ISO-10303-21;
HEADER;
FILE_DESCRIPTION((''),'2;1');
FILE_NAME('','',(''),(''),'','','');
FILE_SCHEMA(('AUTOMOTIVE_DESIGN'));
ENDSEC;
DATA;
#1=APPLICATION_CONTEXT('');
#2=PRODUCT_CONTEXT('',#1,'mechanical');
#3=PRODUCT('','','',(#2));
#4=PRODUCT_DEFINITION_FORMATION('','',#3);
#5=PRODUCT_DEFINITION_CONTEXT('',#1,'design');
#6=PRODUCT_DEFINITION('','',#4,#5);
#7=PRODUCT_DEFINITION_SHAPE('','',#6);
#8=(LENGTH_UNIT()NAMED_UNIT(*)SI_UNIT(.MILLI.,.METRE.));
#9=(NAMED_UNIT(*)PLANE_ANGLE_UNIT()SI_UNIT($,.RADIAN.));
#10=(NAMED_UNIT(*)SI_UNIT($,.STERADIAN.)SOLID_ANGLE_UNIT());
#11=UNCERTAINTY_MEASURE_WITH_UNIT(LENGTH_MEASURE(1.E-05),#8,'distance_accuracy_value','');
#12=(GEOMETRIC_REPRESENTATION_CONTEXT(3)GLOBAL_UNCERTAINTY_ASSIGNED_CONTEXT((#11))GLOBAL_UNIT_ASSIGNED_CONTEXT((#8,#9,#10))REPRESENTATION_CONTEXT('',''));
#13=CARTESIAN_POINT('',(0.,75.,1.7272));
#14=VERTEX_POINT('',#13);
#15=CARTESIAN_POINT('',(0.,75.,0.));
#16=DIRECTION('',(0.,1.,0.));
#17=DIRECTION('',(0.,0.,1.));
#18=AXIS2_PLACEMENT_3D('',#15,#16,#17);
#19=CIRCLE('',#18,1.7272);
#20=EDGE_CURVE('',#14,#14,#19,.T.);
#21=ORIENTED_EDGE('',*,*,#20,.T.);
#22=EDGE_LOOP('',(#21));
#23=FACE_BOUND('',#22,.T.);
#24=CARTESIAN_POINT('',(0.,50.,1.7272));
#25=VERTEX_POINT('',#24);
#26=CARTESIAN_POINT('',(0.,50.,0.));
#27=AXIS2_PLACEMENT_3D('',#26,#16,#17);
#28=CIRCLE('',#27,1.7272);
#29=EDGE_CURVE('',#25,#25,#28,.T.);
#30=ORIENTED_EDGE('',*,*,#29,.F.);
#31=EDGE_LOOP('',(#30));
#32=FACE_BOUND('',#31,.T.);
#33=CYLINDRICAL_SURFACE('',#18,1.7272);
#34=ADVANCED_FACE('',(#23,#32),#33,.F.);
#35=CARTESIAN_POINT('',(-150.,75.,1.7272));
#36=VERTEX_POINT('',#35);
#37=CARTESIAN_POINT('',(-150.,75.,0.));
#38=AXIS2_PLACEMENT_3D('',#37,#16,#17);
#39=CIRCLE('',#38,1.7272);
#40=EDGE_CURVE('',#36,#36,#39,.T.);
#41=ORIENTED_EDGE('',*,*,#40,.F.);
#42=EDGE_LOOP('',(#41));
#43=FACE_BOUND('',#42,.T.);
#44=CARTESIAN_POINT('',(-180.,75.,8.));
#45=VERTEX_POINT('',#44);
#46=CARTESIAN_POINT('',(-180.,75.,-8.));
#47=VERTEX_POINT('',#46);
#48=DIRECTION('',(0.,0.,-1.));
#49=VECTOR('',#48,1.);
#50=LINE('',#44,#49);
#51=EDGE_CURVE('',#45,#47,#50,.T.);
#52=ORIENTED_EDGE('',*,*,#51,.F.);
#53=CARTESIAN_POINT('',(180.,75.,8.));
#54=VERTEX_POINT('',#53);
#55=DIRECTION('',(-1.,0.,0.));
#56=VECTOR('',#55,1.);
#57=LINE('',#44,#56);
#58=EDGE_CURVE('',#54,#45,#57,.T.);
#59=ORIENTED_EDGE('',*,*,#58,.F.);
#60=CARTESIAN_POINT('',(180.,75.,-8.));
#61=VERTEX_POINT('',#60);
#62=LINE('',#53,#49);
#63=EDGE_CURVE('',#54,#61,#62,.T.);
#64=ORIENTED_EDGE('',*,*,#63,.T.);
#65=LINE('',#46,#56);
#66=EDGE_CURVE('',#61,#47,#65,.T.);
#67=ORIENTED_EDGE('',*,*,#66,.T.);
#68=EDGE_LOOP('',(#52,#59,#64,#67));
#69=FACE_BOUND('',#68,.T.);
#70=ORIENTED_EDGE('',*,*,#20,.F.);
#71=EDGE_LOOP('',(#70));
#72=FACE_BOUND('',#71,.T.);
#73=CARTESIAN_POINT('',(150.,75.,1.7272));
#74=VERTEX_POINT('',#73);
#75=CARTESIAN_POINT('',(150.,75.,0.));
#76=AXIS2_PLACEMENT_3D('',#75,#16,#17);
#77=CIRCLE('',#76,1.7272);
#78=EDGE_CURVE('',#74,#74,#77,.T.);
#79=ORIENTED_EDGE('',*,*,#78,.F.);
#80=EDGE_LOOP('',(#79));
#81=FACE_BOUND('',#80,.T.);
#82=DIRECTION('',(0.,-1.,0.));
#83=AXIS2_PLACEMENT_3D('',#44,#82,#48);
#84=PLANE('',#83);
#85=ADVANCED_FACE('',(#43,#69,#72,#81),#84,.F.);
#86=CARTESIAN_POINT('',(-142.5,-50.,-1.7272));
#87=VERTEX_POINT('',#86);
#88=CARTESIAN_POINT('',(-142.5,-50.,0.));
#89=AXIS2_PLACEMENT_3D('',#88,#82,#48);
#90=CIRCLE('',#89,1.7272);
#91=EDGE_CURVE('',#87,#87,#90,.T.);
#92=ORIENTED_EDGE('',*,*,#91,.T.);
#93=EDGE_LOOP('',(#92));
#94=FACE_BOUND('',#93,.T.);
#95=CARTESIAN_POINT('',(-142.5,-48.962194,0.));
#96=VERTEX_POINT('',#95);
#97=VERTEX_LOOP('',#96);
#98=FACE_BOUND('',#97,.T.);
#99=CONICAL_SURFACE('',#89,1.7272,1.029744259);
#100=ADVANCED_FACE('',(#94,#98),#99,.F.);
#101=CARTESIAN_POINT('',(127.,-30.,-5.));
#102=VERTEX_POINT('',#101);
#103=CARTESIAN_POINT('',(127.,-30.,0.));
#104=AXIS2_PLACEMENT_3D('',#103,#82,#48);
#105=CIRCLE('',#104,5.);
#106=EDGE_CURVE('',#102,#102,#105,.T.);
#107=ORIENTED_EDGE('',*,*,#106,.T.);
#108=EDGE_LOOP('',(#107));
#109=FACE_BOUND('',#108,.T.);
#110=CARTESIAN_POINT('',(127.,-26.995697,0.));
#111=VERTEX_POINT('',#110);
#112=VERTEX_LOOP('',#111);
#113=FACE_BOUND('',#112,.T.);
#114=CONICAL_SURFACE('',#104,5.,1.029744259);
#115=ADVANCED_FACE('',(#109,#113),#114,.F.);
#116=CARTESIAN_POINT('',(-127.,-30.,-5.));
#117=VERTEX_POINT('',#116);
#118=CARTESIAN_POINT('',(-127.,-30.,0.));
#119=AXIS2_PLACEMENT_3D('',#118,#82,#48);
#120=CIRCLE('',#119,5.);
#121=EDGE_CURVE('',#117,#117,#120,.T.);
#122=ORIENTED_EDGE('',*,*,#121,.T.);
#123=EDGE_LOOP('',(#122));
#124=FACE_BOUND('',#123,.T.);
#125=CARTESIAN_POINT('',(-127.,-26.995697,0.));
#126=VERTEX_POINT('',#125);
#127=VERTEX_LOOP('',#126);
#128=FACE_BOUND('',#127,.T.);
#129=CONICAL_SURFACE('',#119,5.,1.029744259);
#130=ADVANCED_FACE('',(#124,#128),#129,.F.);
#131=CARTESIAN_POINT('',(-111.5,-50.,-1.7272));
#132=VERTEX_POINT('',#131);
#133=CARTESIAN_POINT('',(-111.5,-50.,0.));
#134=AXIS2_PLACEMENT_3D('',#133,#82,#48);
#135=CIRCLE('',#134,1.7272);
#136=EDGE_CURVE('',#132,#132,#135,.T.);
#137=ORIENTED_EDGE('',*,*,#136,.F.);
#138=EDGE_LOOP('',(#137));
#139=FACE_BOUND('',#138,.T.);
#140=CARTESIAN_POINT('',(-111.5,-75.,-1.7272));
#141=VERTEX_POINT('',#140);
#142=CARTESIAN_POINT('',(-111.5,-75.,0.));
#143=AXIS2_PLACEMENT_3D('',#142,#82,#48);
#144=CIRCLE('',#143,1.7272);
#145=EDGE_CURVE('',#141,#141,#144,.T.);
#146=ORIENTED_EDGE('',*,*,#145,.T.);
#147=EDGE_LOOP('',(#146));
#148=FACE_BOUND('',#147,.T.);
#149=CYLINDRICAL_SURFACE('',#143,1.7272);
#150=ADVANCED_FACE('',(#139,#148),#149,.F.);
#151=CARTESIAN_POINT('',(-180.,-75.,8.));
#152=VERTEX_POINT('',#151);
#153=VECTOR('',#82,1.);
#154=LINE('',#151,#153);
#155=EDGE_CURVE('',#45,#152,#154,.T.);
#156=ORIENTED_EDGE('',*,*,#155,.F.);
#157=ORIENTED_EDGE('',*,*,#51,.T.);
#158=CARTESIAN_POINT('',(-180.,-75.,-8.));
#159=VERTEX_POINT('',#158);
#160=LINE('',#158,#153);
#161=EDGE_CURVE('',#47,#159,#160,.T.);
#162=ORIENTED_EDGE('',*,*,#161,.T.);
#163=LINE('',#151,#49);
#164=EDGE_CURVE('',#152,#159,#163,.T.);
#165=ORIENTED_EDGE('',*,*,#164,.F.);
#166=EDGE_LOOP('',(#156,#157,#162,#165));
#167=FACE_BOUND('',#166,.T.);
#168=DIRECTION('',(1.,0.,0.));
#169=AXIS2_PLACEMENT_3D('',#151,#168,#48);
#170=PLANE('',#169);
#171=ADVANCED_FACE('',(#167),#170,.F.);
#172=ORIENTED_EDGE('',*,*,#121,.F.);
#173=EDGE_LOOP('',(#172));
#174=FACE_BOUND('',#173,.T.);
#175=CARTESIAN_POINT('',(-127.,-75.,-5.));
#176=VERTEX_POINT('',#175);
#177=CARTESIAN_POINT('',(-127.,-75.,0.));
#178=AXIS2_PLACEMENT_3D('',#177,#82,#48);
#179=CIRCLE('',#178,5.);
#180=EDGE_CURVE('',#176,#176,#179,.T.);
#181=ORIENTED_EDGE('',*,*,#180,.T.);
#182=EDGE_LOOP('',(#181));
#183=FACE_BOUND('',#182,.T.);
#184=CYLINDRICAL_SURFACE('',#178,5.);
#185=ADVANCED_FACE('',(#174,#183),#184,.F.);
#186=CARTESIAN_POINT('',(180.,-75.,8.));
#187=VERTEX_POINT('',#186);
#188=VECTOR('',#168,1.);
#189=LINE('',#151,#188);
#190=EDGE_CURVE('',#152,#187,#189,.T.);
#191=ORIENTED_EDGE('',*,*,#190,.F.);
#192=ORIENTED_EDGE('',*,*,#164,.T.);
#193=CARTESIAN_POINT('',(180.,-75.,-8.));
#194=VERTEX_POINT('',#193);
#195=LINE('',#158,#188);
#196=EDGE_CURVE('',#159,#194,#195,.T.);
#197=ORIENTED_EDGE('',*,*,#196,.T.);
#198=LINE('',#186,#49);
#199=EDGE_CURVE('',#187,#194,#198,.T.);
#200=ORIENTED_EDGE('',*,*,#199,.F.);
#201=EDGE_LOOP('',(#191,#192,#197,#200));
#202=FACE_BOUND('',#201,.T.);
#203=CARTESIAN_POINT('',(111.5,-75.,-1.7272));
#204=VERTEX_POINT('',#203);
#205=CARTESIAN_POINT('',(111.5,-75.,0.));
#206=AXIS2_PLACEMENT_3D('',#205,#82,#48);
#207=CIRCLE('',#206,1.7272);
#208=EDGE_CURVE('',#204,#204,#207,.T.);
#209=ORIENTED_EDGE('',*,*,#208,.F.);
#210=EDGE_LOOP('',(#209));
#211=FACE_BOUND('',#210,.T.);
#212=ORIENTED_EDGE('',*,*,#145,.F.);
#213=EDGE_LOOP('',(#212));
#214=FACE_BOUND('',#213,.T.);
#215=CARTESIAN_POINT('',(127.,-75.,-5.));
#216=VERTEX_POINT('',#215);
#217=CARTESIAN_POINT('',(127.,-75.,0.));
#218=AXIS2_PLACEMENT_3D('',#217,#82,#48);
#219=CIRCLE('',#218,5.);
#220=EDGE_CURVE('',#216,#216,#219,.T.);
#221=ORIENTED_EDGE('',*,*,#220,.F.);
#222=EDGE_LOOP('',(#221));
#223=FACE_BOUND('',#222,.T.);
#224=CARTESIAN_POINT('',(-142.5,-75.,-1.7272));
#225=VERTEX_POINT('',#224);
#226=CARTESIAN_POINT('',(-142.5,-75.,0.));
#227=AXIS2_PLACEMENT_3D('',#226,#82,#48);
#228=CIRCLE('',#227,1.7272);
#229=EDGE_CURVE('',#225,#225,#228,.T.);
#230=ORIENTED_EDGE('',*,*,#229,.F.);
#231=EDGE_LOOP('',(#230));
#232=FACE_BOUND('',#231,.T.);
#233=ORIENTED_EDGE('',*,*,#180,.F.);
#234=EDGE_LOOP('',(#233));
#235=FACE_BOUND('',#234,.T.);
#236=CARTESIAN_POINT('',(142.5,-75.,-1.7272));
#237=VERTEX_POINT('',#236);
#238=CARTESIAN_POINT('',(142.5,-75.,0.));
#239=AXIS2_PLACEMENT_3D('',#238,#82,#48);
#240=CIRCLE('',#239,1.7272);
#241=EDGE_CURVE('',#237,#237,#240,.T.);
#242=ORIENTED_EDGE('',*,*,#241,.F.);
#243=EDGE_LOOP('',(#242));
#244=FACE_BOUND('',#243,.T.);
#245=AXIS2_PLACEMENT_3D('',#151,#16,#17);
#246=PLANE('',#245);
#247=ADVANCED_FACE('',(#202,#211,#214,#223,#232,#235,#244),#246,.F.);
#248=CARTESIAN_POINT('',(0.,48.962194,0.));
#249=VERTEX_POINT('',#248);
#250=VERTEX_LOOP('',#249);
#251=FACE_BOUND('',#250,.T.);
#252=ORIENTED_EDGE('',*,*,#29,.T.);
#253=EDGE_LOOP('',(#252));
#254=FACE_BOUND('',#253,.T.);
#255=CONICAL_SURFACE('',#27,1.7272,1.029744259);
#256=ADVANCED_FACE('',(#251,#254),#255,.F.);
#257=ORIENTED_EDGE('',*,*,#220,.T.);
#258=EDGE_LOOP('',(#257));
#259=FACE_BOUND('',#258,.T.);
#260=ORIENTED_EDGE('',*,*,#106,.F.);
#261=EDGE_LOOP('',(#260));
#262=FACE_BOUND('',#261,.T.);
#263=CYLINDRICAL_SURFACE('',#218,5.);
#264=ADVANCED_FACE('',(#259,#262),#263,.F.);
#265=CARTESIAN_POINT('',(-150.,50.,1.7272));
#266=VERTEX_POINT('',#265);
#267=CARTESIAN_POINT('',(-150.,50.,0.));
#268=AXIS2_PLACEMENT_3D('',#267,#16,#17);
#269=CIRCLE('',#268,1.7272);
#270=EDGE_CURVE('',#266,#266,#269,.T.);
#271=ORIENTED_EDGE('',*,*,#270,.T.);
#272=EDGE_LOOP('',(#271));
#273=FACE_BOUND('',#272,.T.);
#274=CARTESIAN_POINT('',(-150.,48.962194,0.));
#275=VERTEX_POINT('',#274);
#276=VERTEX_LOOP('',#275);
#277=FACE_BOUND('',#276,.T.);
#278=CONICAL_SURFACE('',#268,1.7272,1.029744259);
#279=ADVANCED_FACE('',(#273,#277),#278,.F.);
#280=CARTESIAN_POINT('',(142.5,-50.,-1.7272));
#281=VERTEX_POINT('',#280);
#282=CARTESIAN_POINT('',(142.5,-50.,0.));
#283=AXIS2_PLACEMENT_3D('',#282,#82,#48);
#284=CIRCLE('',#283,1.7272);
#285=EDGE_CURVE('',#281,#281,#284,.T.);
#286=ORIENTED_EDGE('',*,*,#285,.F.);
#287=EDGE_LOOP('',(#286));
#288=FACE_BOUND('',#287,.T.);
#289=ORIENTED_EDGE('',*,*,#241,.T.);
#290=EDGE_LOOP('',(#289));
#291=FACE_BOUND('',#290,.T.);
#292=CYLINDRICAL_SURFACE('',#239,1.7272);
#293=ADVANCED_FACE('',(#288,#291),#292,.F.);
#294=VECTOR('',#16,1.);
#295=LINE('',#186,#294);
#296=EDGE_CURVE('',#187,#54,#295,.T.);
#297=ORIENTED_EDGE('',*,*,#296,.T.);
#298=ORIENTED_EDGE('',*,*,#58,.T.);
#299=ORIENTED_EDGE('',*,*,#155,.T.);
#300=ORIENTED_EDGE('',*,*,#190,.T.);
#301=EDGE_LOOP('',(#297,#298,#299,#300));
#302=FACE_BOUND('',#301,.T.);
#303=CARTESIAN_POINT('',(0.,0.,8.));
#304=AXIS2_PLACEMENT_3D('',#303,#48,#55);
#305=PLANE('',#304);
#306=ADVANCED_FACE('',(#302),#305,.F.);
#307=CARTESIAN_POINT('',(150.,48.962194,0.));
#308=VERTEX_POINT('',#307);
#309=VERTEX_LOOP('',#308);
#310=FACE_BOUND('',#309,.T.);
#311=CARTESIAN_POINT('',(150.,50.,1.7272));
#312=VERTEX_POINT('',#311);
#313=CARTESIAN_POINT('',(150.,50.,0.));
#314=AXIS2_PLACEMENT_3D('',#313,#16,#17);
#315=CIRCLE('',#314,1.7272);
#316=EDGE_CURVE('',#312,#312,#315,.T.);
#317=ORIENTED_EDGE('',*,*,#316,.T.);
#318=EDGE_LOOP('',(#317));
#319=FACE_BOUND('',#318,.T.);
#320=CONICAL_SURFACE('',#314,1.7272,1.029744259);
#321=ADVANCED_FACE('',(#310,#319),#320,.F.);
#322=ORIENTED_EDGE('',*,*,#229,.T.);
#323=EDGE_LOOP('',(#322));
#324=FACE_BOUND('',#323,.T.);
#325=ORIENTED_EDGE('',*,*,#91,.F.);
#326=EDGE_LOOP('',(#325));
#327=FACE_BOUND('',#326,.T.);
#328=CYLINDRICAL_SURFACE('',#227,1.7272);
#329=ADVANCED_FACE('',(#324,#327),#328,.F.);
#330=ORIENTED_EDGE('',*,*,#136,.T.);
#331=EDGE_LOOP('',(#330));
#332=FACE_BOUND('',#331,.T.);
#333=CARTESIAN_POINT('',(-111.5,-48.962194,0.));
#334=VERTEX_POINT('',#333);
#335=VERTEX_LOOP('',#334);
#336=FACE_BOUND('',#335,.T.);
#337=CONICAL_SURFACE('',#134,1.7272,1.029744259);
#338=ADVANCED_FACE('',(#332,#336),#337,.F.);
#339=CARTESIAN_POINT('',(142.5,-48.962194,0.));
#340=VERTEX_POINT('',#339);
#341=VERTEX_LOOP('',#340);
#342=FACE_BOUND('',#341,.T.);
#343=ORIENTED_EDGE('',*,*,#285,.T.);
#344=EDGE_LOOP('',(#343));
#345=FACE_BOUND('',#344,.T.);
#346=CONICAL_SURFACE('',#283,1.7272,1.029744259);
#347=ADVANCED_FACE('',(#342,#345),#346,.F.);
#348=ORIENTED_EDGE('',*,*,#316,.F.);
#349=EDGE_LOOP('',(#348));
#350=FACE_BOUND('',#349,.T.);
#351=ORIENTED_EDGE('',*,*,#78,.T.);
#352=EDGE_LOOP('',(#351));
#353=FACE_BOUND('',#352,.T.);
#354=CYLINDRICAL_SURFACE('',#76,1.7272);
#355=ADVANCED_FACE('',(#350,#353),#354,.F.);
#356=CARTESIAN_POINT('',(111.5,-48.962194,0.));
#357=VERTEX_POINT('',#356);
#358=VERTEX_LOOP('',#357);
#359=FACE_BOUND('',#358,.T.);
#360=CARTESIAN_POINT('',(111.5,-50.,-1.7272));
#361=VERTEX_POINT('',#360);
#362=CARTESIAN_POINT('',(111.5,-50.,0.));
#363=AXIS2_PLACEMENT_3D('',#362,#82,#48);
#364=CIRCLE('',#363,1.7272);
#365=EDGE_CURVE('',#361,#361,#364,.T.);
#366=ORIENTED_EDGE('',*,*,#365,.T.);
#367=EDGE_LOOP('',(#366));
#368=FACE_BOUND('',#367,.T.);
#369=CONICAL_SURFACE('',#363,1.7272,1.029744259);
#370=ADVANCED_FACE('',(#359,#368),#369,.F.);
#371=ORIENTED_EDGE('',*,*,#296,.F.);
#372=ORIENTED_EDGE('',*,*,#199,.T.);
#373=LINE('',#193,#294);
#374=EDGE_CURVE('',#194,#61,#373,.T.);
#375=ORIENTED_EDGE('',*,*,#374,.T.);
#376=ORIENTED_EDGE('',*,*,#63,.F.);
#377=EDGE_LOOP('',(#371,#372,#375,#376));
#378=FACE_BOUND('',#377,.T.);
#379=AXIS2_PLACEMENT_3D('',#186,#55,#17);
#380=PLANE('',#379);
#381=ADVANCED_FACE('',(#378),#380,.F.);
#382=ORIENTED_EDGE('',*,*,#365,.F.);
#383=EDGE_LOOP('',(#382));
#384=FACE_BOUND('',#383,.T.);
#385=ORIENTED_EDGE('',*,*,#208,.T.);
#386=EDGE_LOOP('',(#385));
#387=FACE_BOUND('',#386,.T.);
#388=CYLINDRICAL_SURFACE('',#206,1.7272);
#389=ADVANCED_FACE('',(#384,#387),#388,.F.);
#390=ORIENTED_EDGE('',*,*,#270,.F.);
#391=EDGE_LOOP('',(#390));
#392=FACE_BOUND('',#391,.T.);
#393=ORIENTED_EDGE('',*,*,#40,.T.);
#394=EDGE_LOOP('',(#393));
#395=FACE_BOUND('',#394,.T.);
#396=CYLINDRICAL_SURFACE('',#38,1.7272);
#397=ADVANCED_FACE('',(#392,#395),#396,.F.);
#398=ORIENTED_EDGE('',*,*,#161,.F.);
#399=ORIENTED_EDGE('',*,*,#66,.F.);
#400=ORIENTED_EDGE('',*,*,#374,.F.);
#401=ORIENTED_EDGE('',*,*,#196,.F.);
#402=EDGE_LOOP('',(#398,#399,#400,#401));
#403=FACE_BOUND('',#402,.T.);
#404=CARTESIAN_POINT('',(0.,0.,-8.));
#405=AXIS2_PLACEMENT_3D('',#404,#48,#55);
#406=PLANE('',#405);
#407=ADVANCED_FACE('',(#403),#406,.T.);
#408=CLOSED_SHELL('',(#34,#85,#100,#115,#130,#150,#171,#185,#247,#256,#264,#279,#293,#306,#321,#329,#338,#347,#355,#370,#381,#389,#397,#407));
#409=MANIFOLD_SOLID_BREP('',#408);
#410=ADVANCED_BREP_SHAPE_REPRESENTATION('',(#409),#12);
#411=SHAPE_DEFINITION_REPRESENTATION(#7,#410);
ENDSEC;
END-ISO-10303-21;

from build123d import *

# Parameters (mm, degrees)
SKETCH1_W                      = 360
SKETCH1_H                      = 150
BOSS_EXTRUDE1_DEPTH            = 8
F_8_36_TAPPED_HOLE1_AT_2_COUNT = 2
F_8_36_TAPPED_HOLE1_AT_2_PITCH = 31
F_8_36_TAPPED_HOLE2_D          = 3.4544
F_8_36_TAPPED_HOLE2_DEPTH      = 25
F_8_36_TAPPED_HOLE2_TIP        = 1.037806461


with BuildPart() as part:
    # Sketch1 → Boss-Extrude1 (new, symmetric)
    with BuildSketch(Plane.XY):
        Rectangle(SKETCH1_W, SKETCH1_H)
    extrude(amount=BOSS_EXTRUDE1_DEPTH, both=True)

    # Sketch3 → #8-36 Tapped Hole1 (revolve, cut)
    with BuildSketch(Plane(origin=(-142.5, -75, 0), x_dir=(0, 0, -1), z_dir=(1, 0, 0))):
        Polygon((0, 0), (0, 26.037806461), (1.7272, 25), (1.7272, 0), align=None)
    f_8_36_tapped_hole1 = revolve(axis=Axis((-142.5, -81.35, 0), (0, 1, 0)), mode=Mode.SUBTRACT)

    # #8-36 Tapped Hole1 at 2: #8-36 Tapped Hole1 ×2
    with Locations(*[(i * F_8_36_TAPPED_HOLE1_AT_2_PITCH, 0, 0) for i in range(1, F_8_36_TAPPED_HOLE1_AT_2_COUNT)]):
        add(f_8_36_tapped_hole1, mode=Mode.SUBTRACT)

    # Sketch6 → M8 Clearance Hole1 (revolve, cut)
    with BuildSketch(Plane(origin=(-127, -75, 0), x_dir=(0, 0, -1), z_dir=(1, 0, 0))):
        Polygon((0, 0), (0, 48.004303095), (5, 45), (5, 0), align=None)
    m8_clearance_hole1 = revolve(axis=Axis((-127, -81.35, 0), (0, 1, 0)), mode=Mode.SUBTRACT)

    # Mirror1: #8-36 Tapped Hole1, M8 Clearance Hole1 across plane
    add(f_8_36_tapped_hole1.mirror(Plane(origin=(0, 0, 0), x_dir=(0, 0, 1), z_dir=(1, 0, 0))), mode=Mode.SUBTRACT)
    add(m8_clearance_hole1.mirror(Plane(origin=(0, 0, 0), x_dir=(0, 0, 1), z_dir=(1, 0, 0))), mode=Mode.SUBTRACT)

    # Mirror1 copy 1 sketch → Mirror1 copy 1 (revolve, cut)
    with BuildSketch(Plane(origin=(111.5, -75, 0), x_dir=(0, 0, -1), z_dir=(-1, 0, 0))):
        Polygon((0, 0), (0, -26.037806461), (1.7272, -25), (1.7272, 0), align=None)
    revolve(axis=Axis((111.5, -81.35, 0), (0, -1, 0)), mode=Mode.SUBTRACT)

    # #8-36 Tapped Hole2
    with Locations(Plane(origin=(597.704940286, 75, -222), x_dir=(1, 0, 0), z_dir=(0, 1, 0))):
        with Locations((-447.704940286, -222), (-597.704940286, -222), (-747.704940286, -222)):
            Hole(F_8_36_TAPPED_HOLE2_D / 2, depth=F_8_36_TAPPED_HOLE2_DEPTH)
            with Locations((0, 0, -(F_8_36_TAPPED_HOLE2_DEPTH + F_8_36_TAPPED_HOLE2_TIP / 2))):  # 118° drill point
                Cone(0, F_8_36_TAPPED_HOLE2_D / 2, F_8_36_TAPPED_HOLE2_TIP, mode=Mode.SUBTRACT)


solid = part.part
